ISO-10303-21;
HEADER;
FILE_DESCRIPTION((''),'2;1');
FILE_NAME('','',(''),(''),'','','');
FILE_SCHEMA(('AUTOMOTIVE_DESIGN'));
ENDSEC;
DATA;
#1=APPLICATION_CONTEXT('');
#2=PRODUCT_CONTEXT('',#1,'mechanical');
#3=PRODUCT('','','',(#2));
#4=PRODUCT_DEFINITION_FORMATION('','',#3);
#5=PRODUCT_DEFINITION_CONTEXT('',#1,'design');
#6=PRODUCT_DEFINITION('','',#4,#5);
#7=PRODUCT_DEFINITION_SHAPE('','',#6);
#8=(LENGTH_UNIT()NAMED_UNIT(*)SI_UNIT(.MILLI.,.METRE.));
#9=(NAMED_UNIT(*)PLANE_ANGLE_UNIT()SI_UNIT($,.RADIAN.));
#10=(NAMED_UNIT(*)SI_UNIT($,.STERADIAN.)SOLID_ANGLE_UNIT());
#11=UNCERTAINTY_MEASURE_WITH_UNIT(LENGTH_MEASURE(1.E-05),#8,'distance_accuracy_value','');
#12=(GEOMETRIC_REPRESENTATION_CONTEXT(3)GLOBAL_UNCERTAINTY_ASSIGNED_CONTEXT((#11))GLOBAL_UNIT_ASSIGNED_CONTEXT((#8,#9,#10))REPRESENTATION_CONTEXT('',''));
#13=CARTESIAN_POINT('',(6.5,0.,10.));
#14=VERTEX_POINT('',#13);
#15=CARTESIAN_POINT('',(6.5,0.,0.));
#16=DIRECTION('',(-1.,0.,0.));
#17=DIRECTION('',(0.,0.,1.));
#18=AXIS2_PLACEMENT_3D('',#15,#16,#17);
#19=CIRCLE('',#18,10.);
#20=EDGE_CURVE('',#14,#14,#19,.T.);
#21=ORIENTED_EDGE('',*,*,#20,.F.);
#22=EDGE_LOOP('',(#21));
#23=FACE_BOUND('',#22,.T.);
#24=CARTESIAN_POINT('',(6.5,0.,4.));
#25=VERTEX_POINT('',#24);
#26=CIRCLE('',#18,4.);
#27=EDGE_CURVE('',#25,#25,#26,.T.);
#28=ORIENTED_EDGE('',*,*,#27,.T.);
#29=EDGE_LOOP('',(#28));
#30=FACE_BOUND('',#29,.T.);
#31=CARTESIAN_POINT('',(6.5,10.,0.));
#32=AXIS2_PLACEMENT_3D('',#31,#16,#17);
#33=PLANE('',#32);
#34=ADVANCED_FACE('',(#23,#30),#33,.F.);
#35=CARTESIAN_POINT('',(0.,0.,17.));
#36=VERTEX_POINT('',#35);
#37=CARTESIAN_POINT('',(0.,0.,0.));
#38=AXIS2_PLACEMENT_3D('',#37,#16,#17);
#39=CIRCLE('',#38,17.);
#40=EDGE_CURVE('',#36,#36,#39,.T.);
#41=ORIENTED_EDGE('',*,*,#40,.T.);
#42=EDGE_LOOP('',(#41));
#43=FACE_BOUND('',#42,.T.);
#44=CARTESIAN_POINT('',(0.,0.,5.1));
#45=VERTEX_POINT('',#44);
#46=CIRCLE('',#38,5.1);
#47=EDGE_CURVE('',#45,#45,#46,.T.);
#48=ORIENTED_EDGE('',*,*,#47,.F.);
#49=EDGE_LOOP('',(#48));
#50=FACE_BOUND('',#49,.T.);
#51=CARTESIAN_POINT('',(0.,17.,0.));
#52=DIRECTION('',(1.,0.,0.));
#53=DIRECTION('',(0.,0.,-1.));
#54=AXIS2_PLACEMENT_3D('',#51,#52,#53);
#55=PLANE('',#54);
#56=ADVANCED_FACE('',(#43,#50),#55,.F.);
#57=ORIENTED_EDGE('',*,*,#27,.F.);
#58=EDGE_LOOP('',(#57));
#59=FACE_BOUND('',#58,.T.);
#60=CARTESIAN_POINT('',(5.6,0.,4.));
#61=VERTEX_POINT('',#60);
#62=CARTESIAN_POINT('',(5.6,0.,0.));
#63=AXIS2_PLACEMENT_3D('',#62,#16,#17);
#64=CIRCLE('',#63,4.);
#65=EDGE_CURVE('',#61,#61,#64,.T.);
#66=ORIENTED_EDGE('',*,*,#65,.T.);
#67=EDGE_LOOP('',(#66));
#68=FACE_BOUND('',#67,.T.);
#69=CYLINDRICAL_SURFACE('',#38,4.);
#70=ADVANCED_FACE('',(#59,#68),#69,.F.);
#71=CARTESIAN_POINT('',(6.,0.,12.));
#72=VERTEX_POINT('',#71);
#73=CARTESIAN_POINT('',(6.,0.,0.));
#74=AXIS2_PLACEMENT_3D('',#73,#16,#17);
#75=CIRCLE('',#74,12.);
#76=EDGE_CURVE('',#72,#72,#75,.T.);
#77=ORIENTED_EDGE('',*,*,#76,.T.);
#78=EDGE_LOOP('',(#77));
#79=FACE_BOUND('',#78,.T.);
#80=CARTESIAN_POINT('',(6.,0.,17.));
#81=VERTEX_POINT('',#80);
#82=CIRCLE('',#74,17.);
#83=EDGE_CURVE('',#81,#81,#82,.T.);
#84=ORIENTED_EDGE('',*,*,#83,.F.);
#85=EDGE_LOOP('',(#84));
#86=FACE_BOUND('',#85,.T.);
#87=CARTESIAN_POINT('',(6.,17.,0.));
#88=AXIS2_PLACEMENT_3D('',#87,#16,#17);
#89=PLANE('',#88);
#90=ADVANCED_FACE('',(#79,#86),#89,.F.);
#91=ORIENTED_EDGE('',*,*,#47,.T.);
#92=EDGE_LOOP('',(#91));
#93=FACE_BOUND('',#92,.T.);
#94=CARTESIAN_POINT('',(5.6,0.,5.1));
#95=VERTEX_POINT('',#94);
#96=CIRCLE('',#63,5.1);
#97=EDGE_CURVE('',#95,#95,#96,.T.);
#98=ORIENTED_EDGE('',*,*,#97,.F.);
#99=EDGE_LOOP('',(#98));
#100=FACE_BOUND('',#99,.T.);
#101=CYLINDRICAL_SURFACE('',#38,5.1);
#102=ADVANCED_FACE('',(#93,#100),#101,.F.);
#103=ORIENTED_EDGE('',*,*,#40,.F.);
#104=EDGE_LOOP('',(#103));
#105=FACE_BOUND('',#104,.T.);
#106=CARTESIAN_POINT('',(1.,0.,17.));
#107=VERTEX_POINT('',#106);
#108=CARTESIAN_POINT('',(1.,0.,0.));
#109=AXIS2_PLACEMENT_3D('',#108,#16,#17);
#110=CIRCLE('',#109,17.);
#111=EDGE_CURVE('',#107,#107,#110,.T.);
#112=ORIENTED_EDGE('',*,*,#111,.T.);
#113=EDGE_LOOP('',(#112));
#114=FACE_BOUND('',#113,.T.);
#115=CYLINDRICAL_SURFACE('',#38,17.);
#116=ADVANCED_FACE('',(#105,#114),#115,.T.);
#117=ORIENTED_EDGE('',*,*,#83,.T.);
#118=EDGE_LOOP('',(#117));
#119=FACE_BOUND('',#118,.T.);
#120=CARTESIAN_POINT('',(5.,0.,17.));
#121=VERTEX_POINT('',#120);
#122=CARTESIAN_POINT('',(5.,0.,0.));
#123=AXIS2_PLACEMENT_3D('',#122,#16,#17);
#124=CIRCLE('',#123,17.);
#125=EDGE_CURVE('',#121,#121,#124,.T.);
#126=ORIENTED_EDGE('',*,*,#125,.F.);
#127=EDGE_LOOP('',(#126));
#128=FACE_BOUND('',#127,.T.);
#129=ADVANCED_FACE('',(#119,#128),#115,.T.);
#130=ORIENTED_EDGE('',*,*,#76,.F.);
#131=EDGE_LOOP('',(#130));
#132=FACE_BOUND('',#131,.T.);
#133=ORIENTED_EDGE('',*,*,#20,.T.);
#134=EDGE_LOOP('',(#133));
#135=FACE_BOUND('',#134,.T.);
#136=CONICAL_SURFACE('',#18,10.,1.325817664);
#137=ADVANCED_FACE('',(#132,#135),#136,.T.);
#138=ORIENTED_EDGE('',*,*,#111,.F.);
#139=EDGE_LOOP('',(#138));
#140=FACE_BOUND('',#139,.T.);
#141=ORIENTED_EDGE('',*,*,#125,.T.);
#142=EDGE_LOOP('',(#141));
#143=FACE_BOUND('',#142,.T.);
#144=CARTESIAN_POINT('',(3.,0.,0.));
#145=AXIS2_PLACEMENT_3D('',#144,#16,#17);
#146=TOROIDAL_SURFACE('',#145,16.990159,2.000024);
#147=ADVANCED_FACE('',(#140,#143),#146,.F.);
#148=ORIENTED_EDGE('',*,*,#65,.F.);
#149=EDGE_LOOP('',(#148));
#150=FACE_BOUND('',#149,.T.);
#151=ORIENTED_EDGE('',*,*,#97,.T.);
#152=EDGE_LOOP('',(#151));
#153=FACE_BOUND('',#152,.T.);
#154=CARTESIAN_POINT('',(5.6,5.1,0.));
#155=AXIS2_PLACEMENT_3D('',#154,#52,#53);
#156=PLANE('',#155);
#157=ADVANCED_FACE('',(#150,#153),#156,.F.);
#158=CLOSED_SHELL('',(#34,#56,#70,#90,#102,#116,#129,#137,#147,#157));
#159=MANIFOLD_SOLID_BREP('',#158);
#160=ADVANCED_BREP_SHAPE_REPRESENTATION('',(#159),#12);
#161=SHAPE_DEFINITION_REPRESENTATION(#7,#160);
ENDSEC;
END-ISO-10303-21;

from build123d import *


with BuildPart() as part:
    # 草图1 → 旋转1 (revolve)
    with BuildSketch(Plane.XY):
        with BuildLine():
            Line((5.6, 5.1), (5.6, 4))
            Line((5.6, 4), (6.5, 4))
            Line((6.5, 4), (6.5, 10))
            Line((6.5, 10), (6, 12))
            Line((6, 12), (6, 17))
            Line((6, 17), (5, 17))
            ThreePointArc((5, 17), (3, 14.990135067), (1, 17))
            Line((1, 17), (0, 17))
            Line((0, 17), (0, 5.1))
            Line((0, 5.1), (5.6, 5.1))
        make_face()
    revolve(axis=Axis((0, 0, 0), (1, 0, 0)))


solid = part.part
